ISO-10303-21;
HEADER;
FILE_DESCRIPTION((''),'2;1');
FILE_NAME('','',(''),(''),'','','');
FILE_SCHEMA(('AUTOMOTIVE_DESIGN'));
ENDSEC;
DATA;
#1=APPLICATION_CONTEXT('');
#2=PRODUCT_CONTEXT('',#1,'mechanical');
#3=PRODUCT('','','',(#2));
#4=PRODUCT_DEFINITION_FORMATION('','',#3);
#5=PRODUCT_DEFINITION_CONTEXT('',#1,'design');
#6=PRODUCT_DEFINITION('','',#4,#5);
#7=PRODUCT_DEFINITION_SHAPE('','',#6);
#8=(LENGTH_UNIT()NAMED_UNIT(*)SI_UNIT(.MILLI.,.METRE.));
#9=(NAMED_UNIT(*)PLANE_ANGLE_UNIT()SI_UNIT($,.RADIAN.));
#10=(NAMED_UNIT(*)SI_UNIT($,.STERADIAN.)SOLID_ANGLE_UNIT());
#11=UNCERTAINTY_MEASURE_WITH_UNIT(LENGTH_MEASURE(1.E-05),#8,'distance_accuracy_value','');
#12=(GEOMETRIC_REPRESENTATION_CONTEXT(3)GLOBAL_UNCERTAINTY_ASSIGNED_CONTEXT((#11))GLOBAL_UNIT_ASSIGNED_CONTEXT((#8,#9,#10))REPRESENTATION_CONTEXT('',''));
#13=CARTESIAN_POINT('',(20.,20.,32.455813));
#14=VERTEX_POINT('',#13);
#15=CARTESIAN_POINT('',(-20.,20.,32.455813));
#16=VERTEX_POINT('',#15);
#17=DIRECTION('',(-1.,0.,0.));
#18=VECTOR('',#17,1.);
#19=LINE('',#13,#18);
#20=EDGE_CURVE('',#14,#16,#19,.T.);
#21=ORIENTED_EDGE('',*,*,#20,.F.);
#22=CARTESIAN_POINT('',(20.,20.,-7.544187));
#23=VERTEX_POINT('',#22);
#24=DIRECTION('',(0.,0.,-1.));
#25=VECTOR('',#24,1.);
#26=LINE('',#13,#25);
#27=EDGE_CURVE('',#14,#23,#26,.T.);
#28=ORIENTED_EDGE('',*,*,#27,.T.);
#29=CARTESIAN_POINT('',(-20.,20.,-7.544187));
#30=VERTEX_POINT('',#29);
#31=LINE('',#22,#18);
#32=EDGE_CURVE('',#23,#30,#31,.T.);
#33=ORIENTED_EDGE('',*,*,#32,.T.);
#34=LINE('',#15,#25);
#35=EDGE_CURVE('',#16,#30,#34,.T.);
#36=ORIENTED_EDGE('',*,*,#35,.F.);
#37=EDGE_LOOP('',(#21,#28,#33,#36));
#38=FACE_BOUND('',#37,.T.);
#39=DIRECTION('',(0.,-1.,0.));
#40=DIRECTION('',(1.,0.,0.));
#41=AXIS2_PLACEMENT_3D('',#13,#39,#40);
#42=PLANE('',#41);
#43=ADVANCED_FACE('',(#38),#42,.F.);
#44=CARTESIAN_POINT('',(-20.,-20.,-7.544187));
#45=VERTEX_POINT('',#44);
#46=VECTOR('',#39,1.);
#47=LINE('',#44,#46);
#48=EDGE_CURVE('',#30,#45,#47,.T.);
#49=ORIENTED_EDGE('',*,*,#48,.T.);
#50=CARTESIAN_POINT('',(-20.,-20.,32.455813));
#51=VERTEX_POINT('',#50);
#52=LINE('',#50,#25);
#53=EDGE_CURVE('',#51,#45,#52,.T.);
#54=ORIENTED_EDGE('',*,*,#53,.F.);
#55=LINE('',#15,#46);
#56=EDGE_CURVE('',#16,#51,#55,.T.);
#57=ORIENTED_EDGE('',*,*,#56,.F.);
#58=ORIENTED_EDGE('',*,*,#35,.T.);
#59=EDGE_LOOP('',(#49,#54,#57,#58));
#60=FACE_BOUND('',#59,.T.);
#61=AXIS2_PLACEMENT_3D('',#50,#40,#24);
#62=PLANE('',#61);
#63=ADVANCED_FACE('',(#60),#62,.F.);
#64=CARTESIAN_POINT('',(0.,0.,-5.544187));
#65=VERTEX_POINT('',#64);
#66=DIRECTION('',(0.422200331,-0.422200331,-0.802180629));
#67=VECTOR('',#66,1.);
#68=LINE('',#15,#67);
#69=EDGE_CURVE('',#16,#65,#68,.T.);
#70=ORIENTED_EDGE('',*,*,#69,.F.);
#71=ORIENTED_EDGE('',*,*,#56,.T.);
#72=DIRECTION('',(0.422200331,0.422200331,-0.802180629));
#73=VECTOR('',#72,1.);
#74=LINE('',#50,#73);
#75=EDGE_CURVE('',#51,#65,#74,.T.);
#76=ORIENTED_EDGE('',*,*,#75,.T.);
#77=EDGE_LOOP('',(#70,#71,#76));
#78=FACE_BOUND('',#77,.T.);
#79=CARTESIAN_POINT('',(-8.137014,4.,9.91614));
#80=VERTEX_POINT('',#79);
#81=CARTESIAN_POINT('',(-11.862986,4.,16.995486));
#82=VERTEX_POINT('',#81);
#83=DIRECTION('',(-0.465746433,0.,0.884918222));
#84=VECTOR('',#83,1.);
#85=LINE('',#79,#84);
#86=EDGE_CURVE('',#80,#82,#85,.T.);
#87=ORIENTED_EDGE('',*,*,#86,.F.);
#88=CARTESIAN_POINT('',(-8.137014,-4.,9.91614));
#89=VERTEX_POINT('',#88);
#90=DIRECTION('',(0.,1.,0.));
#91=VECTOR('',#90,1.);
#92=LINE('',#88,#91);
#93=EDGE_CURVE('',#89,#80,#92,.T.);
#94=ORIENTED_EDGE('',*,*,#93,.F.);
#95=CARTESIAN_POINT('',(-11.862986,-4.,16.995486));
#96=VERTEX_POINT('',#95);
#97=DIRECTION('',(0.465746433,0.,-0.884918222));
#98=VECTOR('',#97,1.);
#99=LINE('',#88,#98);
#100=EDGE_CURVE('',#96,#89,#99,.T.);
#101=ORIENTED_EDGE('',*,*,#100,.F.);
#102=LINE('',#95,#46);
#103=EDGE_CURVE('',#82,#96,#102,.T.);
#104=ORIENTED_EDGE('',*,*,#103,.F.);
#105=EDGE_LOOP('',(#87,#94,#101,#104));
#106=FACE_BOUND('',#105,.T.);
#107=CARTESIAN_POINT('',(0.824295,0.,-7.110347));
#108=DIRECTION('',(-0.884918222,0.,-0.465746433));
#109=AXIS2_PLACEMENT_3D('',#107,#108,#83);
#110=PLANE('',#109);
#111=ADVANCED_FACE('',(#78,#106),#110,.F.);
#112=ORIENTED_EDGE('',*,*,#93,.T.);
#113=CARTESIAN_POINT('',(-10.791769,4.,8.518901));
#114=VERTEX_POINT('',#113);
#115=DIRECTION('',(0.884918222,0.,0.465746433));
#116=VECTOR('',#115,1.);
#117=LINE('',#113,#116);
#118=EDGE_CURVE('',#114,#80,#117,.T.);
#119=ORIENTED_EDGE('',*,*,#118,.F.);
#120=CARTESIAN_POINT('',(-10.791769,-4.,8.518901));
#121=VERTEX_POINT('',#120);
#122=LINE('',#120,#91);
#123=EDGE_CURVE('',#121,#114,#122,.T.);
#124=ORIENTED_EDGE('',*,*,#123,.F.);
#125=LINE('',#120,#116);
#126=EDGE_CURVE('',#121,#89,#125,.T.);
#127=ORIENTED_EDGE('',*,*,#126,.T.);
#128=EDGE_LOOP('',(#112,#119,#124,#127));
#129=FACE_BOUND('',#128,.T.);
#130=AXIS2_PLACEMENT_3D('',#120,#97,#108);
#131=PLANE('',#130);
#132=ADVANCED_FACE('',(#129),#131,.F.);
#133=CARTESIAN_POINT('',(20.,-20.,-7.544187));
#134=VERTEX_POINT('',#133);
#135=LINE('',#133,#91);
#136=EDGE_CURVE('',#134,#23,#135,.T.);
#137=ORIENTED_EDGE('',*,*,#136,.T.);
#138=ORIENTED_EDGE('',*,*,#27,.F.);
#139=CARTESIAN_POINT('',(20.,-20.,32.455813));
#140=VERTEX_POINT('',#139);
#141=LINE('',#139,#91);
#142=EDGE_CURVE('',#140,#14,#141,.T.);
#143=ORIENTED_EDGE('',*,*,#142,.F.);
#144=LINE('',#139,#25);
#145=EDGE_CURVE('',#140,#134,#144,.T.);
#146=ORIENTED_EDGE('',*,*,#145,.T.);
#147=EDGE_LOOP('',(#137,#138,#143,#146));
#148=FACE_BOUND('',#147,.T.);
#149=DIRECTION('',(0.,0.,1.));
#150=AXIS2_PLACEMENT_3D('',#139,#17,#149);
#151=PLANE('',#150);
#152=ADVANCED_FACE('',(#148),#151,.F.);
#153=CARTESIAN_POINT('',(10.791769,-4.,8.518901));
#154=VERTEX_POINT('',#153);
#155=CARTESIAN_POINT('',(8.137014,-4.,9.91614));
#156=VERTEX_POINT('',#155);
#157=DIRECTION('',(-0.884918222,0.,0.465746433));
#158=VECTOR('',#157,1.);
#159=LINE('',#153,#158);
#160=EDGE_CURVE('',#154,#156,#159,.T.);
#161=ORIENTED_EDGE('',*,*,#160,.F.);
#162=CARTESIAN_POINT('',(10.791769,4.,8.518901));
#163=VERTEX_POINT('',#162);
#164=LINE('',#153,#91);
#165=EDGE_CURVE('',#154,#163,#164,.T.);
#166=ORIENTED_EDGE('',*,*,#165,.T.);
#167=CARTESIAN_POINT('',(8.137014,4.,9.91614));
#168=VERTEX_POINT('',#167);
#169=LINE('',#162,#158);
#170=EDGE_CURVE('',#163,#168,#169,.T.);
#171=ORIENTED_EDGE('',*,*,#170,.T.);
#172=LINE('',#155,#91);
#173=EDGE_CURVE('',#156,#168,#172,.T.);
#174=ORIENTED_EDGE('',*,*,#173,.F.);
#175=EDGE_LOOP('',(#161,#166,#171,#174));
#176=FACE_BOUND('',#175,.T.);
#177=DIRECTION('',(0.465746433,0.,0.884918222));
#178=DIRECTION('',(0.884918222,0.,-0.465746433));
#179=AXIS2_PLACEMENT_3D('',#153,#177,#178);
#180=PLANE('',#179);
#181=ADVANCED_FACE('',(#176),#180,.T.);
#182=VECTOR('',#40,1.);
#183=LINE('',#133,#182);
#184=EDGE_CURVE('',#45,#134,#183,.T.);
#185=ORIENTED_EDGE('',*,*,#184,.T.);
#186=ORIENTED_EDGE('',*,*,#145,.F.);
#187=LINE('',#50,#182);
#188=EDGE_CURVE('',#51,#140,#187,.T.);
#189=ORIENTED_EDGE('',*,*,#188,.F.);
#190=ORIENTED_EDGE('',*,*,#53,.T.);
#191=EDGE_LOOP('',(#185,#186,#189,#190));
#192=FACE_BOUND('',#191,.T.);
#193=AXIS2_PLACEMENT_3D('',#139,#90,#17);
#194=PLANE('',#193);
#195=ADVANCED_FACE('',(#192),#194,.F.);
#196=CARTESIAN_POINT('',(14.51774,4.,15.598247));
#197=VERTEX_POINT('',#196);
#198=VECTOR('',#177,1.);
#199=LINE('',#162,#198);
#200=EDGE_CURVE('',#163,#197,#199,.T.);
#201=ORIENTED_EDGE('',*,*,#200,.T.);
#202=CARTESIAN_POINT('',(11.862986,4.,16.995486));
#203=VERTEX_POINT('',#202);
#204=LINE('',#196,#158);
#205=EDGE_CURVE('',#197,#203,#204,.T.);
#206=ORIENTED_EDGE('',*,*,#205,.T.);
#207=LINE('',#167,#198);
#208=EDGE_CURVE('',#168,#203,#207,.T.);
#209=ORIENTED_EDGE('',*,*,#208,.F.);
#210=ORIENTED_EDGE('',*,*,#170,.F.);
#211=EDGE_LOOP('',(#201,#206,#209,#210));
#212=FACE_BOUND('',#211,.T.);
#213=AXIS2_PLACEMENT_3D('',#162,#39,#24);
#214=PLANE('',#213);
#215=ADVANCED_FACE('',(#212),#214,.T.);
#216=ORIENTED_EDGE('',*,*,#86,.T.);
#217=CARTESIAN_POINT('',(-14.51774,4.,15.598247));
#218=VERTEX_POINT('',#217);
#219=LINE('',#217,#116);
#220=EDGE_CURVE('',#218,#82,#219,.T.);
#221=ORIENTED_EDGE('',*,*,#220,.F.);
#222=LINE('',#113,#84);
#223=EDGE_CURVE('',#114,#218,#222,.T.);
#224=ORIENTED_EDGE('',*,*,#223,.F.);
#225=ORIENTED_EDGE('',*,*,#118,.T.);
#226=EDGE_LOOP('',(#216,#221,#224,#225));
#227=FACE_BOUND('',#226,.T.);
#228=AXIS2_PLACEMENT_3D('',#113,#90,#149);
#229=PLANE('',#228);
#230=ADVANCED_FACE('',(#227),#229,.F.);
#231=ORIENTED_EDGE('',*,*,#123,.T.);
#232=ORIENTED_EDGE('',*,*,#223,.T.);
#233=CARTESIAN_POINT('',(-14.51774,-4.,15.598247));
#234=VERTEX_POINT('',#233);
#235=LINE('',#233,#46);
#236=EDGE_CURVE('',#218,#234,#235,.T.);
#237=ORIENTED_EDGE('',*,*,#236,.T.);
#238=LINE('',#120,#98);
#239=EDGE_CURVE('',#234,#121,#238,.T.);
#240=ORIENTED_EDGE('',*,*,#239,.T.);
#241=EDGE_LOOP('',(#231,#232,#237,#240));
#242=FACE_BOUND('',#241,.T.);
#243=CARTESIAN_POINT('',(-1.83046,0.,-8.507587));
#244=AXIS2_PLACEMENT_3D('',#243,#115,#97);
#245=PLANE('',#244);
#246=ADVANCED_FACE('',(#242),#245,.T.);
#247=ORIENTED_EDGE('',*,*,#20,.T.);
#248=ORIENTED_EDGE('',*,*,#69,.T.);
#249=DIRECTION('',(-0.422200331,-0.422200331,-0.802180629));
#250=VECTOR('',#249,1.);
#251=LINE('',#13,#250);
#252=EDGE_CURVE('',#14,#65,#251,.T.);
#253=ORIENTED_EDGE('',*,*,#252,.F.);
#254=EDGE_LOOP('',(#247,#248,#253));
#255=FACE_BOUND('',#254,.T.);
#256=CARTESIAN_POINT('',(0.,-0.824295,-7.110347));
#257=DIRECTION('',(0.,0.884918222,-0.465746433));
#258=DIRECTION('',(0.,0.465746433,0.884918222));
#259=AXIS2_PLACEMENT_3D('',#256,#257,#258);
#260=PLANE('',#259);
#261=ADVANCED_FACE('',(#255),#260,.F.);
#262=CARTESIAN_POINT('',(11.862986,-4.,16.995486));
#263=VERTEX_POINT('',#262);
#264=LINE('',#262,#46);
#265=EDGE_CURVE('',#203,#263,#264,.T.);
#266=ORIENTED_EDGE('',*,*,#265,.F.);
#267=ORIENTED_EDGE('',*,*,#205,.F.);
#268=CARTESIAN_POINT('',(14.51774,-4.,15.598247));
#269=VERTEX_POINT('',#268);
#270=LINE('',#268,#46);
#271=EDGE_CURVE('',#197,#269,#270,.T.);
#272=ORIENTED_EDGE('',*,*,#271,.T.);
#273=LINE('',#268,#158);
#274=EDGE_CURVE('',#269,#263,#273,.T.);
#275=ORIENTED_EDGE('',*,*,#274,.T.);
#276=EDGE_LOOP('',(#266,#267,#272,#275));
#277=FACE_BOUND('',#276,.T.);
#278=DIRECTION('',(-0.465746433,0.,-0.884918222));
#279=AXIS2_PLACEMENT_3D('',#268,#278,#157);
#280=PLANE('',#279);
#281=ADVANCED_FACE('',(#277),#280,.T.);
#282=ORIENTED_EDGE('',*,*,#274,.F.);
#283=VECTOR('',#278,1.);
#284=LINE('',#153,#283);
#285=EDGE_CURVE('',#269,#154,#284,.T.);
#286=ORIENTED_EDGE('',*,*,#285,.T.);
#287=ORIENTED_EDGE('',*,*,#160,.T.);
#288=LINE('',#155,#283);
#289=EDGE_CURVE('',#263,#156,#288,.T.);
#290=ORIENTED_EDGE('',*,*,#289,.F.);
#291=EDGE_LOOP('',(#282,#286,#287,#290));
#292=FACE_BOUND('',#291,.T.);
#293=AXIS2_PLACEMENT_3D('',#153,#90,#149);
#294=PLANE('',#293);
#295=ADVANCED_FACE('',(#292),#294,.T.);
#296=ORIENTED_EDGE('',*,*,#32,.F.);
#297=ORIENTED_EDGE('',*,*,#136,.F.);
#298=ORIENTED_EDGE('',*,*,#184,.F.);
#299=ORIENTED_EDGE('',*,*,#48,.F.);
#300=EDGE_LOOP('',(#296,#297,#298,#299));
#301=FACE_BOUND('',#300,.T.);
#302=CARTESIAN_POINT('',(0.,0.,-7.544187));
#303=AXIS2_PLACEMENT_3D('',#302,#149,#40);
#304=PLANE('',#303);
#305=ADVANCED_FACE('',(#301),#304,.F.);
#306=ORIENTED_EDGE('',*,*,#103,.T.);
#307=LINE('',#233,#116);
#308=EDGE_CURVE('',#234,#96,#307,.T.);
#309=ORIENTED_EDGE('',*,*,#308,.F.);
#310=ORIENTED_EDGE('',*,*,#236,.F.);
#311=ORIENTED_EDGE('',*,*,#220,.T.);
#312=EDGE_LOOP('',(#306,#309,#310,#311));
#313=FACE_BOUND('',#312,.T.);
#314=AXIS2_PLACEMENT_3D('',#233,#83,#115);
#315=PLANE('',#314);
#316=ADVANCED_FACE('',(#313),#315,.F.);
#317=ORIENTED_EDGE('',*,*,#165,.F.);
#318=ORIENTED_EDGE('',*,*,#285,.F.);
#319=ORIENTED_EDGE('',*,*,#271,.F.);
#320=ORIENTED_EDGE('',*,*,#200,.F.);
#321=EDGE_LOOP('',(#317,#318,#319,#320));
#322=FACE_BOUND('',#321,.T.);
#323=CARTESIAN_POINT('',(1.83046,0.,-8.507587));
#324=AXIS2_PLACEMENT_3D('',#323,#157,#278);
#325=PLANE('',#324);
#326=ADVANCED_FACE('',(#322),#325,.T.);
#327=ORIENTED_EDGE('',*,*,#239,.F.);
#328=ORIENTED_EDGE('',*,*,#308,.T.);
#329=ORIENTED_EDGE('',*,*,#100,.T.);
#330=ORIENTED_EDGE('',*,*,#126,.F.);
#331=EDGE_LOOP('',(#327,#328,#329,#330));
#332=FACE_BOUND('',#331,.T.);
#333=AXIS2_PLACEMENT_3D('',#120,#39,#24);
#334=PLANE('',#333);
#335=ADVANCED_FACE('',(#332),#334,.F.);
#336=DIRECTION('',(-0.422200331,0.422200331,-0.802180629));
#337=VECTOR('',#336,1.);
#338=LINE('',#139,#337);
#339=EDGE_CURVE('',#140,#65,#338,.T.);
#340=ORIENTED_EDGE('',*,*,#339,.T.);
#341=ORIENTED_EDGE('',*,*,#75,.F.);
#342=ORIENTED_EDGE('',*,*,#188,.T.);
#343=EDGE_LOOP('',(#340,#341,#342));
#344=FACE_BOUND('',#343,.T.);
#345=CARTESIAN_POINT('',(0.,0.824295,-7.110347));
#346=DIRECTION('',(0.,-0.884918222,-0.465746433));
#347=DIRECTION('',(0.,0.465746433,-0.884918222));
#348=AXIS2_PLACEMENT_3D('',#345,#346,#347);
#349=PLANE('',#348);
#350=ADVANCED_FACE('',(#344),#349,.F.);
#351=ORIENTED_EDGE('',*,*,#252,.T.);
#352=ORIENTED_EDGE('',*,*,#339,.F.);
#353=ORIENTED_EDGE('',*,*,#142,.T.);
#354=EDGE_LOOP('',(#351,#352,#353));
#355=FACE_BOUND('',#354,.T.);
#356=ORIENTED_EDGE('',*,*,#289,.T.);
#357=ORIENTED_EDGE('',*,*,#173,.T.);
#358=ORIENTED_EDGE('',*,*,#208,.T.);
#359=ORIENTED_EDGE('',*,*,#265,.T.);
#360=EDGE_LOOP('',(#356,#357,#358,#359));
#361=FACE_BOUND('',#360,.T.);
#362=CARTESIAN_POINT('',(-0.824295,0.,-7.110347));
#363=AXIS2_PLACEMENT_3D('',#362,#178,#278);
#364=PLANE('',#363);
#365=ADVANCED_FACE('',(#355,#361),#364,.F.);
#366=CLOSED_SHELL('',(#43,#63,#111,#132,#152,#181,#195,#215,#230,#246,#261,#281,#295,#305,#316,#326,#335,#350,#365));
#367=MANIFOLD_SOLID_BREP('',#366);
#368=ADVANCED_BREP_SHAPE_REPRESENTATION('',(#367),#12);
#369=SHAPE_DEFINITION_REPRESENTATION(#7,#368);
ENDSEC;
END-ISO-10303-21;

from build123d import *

# Parameters (mm, degrees)
SKETCH1_W           = 20
SKETCH1_H           = 20
BOSS_EXTRUDE1_DEPTH = 20
SKETCH7_W           = 4
SKETCH7_H           = 4
CUT_EXTRUDE2_DEPTH  = 1.5
SCALE1_SCALE        = 2


with BuildPart() as part:
    # Sketch1 → Boss-Extrude1 (new body)
    with BuildSketch(Plane.XY):
        Rectangle(SKETCH1_W, SKETCH1_H)
    extrude(amount=BOSS_EXTRUDE1_DEPTH)

    # Sketch6 → entrada furo section 0
    with BuildSketch(Plane.XY.offset(20), mode=Mode.PRIVATE) as entrada_furo_s0:
        with BuildLine():
            Line((-10, 10), (-10, -10))
            Line((-10, -10), (10, -10))
            Line((10, -10), (10, 10))
            Line((10, 10), (-10, 10))
        make_face()
    loft([entrada_furo_s0.sketch, Vertex(0, 0, 1)], mode=Mode.SUBTRACT)

    # Sketch7 → Cut-Extrude2 (cut)
    with BuildSketch(Plane(origin=(0.412147505, 0, 0.21691974), x_dir=(0.46574643283262235, 0, -0.8849182223819824), z_dir=(0.8849182223819824, 0, 0.46574643283262235))):
        with Locations((-11.620373499, 0)):
            Rectangle(SKETCH7_W, SKETCH7_H)
    cut_extrude2 = extrude(amount=-CUT_EXTRUDE2_DEPTH, mode=Mode.SUBTRACT)

    # Mirror1: Cut-Extrude2 across plane
    add(cut_extrude2.mirror(Plane(origin=(0, 0, 0), x_dir=(0, 0, 1), z_dir=(1, 0, 0))), mode=Mode.SUBTRACT)


with BuildPart() as part_1:
    # Scale1: scaled about (0, 0, 7.5441868)
    add(part.part.scale(SCALE1_SCALE).moved(Location((0, 0, -7.5441868))))


solid = part_1.part
